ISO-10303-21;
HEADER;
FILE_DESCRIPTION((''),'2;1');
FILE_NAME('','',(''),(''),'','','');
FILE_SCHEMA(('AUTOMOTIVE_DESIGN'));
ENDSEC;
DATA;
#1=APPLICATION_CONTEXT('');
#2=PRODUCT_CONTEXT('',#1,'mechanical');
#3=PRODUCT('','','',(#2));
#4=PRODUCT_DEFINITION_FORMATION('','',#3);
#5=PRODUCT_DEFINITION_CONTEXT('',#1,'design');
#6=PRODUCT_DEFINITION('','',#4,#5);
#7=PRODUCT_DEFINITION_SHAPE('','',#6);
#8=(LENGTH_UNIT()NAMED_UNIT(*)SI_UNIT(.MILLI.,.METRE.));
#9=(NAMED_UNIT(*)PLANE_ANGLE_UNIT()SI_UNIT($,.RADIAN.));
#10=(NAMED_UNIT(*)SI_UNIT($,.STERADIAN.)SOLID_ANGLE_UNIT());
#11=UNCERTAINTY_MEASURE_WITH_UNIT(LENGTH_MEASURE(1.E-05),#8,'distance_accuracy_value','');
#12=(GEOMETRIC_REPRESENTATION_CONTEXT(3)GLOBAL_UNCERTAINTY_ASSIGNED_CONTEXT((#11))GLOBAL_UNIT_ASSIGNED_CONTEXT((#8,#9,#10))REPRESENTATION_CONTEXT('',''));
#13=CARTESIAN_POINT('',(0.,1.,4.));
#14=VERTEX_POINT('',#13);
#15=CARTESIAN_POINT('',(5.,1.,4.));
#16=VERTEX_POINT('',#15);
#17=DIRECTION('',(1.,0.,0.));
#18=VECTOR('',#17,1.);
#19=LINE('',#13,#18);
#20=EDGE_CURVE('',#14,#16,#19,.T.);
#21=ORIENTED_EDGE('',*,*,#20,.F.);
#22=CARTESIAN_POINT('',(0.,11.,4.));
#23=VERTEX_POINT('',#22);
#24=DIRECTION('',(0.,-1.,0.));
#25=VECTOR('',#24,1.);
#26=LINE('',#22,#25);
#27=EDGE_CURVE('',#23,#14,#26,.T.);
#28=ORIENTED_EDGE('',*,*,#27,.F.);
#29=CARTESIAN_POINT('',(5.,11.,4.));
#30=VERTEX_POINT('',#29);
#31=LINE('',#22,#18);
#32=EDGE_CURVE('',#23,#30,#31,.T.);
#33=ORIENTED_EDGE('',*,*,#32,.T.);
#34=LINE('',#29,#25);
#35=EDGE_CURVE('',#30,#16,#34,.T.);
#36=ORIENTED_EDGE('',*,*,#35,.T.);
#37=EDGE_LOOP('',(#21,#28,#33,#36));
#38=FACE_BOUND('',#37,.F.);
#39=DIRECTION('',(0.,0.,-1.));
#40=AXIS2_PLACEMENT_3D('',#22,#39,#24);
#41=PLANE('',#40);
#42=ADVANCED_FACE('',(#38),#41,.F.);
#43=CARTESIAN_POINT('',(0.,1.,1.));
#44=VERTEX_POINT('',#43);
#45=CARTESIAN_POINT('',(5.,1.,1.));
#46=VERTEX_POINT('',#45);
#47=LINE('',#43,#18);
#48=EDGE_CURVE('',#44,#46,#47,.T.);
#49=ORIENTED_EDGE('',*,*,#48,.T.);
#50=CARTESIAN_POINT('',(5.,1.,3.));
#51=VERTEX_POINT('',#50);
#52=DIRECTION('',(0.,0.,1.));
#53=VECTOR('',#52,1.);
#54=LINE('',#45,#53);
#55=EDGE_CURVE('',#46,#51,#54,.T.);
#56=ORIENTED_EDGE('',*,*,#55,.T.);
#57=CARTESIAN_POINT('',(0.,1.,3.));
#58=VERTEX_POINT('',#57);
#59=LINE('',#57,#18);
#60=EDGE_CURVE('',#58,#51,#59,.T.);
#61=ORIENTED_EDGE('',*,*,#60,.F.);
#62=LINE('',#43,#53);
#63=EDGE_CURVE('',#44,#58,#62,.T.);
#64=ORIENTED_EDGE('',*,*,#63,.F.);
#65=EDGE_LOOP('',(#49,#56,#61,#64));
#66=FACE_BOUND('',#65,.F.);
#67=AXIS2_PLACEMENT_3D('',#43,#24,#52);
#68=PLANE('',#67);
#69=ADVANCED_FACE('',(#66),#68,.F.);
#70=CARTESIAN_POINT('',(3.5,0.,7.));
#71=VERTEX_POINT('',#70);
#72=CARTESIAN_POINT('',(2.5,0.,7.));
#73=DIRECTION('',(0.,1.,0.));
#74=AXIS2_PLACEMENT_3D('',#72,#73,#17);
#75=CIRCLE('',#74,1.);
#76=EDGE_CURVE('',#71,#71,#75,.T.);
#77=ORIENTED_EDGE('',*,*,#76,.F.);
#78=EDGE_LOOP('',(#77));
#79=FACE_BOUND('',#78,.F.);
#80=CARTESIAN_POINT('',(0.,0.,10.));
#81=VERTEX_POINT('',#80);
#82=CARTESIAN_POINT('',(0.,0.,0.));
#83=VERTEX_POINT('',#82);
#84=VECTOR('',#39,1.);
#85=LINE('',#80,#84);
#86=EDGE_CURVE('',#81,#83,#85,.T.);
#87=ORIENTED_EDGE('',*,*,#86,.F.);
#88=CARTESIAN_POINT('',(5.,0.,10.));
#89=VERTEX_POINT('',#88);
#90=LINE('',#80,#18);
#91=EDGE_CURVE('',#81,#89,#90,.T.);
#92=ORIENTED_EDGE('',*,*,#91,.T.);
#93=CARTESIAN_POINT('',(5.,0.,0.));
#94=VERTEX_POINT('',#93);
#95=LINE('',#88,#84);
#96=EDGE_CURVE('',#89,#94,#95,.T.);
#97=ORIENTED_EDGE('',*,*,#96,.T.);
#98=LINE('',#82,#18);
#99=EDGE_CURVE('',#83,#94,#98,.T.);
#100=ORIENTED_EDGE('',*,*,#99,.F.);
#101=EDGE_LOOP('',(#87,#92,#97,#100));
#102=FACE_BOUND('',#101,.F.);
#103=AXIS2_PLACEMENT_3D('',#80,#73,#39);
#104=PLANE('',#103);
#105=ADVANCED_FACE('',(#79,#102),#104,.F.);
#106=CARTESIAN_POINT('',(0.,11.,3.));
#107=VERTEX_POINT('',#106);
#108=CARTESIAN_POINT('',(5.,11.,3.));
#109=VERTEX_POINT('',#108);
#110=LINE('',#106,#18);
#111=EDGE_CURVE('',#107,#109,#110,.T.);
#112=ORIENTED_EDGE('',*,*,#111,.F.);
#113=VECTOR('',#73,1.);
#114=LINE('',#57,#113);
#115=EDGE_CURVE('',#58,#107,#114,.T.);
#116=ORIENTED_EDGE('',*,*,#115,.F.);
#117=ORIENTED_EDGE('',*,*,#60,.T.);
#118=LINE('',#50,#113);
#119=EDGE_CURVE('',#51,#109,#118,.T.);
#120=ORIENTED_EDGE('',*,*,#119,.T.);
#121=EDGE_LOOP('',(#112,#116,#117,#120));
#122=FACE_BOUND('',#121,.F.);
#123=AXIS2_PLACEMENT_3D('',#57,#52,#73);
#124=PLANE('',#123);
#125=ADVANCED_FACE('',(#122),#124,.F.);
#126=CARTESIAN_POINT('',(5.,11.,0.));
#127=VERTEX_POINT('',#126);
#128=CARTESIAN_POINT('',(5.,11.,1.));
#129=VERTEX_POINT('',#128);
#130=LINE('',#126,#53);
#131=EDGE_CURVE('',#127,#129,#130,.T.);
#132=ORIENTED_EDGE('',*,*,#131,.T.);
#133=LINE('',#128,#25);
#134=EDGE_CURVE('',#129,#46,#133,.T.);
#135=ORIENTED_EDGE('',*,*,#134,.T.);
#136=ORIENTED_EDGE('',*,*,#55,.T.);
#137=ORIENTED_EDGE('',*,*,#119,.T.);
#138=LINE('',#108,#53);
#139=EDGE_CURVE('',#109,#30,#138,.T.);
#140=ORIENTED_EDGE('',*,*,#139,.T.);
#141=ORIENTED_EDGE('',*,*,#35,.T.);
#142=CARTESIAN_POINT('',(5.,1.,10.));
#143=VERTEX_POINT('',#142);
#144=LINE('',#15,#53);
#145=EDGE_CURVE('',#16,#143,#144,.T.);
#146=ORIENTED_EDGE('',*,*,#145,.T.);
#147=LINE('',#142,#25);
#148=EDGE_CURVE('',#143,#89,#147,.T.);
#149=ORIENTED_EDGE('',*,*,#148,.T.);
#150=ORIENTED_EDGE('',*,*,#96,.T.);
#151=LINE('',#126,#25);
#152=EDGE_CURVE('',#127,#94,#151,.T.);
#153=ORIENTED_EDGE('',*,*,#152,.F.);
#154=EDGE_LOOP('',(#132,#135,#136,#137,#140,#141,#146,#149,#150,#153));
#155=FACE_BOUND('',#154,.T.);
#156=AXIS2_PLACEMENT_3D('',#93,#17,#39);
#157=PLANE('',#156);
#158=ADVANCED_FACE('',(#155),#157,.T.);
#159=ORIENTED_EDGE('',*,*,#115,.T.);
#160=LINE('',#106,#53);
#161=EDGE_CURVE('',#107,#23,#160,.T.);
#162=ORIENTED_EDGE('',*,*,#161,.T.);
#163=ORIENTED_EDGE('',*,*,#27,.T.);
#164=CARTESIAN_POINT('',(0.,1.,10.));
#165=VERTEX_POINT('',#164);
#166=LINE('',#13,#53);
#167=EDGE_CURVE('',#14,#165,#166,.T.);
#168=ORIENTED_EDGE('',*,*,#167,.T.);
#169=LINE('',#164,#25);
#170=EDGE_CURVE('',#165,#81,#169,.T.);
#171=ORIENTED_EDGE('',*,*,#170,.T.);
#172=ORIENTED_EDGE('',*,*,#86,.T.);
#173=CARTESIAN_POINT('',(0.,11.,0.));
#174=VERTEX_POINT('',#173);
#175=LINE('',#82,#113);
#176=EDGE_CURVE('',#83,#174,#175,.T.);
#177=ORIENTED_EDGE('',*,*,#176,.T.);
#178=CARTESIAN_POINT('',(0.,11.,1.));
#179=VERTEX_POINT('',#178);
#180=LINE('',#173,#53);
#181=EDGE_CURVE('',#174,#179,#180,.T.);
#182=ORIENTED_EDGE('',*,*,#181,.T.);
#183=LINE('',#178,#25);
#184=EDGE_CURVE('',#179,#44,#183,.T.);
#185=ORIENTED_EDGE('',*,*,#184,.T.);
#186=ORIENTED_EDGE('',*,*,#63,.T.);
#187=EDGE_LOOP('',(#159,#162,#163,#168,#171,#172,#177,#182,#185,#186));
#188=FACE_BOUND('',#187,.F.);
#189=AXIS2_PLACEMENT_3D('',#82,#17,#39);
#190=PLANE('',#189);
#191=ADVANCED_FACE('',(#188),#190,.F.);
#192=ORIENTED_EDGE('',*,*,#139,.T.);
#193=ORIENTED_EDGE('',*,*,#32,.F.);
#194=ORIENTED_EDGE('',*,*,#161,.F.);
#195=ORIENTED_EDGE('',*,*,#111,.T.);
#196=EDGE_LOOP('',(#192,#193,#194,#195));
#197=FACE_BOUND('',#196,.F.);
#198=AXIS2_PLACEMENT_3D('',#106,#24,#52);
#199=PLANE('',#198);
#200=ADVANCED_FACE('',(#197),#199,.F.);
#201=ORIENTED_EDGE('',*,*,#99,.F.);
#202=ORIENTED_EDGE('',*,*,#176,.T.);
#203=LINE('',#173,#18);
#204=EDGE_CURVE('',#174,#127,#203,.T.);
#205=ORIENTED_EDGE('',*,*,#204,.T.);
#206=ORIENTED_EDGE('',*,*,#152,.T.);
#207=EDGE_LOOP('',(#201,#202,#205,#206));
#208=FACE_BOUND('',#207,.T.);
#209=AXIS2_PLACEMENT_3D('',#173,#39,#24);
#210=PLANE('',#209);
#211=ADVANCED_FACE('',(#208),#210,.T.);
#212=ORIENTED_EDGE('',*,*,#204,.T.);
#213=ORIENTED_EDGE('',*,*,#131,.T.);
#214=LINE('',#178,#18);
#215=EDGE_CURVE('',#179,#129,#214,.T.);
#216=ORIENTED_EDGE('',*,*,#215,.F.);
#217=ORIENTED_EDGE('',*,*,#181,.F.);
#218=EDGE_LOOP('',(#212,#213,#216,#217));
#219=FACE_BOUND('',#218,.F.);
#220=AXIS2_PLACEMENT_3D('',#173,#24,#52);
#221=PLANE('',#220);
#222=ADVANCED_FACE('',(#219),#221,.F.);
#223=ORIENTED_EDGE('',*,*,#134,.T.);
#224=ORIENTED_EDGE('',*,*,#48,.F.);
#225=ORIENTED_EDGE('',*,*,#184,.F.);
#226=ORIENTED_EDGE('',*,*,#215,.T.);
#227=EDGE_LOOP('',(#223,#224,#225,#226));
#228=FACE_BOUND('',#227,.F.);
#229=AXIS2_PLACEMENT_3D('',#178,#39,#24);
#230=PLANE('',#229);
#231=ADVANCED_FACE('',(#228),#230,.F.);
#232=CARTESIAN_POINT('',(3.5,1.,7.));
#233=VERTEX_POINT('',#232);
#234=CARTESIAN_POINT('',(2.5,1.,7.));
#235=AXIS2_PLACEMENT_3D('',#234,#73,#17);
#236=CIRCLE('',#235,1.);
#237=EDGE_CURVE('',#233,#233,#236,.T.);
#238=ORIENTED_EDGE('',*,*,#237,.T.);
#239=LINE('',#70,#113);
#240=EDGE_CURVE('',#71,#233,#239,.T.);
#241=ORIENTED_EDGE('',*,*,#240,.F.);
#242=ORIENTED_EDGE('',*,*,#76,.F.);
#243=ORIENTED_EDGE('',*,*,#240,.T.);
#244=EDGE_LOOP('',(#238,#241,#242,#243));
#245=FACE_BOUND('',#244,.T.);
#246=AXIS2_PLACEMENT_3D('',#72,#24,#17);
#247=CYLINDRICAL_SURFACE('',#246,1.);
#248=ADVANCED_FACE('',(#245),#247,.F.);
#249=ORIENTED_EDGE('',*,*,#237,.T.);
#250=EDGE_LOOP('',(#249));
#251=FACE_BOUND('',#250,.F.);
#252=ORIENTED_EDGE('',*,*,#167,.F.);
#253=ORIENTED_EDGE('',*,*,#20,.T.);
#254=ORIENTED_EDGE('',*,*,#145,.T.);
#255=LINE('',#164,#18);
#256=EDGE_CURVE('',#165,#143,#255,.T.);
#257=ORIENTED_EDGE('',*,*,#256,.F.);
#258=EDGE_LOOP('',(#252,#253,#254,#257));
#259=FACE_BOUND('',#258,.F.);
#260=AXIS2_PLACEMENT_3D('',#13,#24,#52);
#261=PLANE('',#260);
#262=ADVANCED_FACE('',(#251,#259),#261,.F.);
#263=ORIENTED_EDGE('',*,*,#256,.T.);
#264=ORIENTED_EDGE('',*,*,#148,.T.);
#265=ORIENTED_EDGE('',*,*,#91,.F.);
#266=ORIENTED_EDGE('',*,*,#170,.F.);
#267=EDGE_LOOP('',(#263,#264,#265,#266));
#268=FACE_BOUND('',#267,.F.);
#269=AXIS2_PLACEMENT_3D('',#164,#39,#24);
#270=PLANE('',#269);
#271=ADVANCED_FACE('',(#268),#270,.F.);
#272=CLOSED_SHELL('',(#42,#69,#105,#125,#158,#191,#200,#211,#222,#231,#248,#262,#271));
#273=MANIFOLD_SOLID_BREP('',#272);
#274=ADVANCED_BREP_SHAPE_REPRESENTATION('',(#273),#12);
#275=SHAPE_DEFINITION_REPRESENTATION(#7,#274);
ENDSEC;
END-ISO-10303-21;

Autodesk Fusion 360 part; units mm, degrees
sketch "Sketch1" plane through (0, 0, 0) normal (0, 1, 0) x (1, 0, 0)
  line L0 (0, 0) -> (5, 0)
  line L1 (5, 0) -> (5, -10)
  line L2 (5, -10) -> (0, -10)
  line L3 (0, -10) -> (0, 0)
  line L4 (0, -1) -> (5, -1)
  line L5 (0, -3) -> (5, -3)
  line L6 (0, -4) -> (5, -4)
  circle A0 centre (2.5, -7) radius 1
  dimension "d1" = 10
  dimension "d2" = 5
  dimension "d3" = 2
  dimension "d4" = 1
  dimension "d5" = 1
  dimension "d6" = 2
ref_plane "WorkPlane1" through (2.5, 5, 3.5) normal (0, 1, 0) x (1, 0, 0)
ref_plane "WorkPlane2" through (2.5, 5, 0.5) normal (0, 1, 0) x (1, 0, 0)
ref_plane "WorkPlane3" through (2.5, 1, 2) normal (0, 1, 0) x (1, 0, 0)
ref_plane "WorkPlane4" through (2.5, 1, 7) normal (0, 1, 0) x (1, 0, 0)
sketch "Sketch2" plane through (0, 0, 0) normal (1, 0, 0) x (0, 0, -1)
  line L0 (-1, 11) -> (-1, 1)
  line L1 (-1, 1) -> (-3, 1)
  line L2 (-3, 1) -> (-3, 11)
  line L3 (-3, 11) -> (-4, 11)
  line L4 (-4, 11) -> (-4, 1)
  line L5 (-4, 1) -> (-10, 1)
  line L6 (-10, 1) -> (-10, 0)
  line L7 (-10, 0) -> (0, 0)
  line L8 (0, 11) -> (-1, 11)
  line L9 (0, 0) -> (-10, 0)
  line L10 (0, 11) -> (0, 1)
  line L11 (0, 1) -> (0, 0)
  line L12 (0, 1) -> (0, 11)
  point P0 (-10, 0)
  dimension "d11" = 10
  dimension "d12" = 2
  dimension "d13" = 10
  dimension "d14" = 1
  dimension "d15" = 1
  dimension "d17" = 6
  dimension "d18" = 1
  dimension "d20" = 1
  dimension "d21" = 10
extrude "Extrude1" add sketch "Sketch2" along normal blind 5
extrude "Extrude2" cut sketch "Sketch1" along normal blind 1 contours A0
